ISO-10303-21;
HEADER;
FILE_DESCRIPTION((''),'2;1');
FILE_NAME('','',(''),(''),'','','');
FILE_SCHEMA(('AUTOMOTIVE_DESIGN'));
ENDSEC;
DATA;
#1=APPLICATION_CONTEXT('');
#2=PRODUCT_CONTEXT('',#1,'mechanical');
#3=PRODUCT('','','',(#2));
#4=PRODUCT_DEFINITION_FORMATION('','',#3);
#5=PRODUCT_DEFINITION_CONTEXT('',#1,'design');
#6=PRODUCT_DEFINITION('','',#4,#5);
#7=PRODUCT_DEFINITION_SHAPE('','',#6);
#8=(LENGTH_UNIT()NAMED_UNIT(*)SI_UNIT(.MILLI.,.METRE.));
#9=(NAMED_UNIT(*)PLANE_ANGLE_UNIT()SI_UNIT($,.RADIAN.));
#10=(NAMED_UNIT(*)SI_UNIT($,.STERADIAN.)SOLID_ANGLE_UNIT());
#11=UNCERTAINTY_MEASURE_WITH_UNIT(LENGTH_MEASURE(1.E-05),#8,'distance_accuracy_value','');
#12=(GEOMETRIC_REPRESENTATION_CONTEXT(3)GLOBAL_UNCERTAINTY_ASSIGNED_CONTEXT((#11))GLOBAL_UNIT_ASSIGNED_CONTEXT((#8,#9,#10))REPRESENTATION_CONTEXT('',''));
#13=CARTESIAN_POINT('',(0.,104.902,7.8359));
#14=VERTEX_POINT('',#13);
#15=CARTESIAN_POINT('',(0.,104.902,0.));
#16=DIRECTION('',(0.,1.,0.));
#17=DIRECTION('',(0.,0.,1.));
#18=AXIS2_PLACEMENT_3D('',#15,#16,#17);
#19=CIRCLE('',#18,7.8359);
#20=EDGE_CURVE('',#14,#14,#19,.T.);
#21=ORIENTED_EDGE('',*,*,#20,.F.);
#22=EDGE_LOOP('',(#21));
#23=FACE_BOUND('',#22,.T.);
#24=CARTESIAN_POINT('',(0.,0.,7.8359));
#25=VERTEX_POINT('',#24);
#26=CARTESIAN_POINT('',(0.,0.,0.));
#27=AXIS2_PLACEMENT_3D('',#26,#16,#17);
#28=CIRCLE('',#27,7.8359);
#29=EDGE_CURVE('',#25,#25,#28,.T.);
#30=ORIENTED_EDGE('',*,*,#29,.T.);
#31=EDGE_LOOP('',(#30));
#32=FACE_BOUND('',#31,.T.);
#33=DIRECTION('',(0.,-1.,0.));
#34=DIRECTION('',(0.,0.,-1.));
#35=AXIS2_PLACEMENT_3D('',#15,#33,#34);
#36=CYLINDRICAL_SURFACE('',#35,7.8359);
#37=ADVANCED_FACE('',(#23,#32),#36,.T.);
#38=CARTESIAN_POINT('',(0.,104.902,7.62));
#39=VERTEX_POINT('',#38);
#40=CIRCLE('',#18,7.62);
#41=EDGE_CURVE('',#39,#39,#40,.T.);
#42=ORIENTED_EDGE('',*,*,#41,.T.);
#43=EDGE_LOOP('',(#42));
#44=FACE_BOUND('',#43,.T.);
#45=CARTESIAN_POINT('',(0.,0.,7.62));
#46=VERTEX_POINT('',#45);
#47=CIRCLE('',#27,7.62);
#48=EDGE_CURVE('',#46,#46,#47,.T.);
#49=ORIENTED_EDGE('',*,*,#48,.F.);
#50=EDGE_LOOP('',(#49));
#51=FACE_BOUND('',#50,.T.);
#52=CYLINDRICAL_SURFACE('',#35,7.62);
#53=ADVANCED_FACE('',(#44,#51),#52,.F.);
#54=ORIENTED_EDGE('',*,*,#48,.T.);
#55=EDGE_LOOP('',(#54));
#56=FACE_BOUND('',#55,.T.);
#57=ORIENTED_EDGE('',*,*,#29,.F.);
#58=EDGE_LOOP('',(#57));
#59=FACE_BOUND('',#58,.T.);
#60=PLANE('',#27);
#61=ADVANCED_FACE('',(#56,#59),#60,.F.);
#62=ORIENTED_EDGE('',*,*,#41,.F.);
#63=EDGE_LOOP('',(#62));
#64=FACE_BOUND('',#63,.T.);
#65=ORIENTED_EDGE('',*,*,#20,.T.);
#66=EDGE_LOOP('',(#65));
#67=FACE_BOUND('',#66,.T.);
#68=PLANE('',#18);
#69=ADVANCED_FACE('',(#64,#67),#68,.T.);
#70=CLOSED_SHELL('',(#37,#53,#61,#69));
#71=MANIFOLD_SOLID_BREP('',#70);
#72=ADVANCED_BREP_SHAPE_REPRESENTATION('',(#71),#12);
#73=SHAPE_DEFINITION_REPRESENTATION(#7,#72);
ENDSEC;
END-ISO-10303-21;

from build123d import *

# Parameters (mm, degrees)
SKETCH1_R           = 7.8359
SKETCH1_R_2         = 7.62
BOSS_EXTRUDE1_DEPTH = 104.902


with BuildPart() as part:
    # Sketch1 → Boss-Extrude1 (new body)
    with BuildSketch(Plane(origin=(0, 0, 0), x_dir=(1, 0, 0), z_dir=(0, 1, 0))):
        with Locations(Location((0, 0, 0), (0, 0, 270))):
            Circle(SKETCH1_R)
        with Locations(Location((0, 0, 0), (0, 0, 270))):
            Circle(SKETCH1_R_2, mode=Mode.SUBTRACT)
    extrude(amount=BOSS_EXTRUDE1_DEPTH)


solid = part.part
